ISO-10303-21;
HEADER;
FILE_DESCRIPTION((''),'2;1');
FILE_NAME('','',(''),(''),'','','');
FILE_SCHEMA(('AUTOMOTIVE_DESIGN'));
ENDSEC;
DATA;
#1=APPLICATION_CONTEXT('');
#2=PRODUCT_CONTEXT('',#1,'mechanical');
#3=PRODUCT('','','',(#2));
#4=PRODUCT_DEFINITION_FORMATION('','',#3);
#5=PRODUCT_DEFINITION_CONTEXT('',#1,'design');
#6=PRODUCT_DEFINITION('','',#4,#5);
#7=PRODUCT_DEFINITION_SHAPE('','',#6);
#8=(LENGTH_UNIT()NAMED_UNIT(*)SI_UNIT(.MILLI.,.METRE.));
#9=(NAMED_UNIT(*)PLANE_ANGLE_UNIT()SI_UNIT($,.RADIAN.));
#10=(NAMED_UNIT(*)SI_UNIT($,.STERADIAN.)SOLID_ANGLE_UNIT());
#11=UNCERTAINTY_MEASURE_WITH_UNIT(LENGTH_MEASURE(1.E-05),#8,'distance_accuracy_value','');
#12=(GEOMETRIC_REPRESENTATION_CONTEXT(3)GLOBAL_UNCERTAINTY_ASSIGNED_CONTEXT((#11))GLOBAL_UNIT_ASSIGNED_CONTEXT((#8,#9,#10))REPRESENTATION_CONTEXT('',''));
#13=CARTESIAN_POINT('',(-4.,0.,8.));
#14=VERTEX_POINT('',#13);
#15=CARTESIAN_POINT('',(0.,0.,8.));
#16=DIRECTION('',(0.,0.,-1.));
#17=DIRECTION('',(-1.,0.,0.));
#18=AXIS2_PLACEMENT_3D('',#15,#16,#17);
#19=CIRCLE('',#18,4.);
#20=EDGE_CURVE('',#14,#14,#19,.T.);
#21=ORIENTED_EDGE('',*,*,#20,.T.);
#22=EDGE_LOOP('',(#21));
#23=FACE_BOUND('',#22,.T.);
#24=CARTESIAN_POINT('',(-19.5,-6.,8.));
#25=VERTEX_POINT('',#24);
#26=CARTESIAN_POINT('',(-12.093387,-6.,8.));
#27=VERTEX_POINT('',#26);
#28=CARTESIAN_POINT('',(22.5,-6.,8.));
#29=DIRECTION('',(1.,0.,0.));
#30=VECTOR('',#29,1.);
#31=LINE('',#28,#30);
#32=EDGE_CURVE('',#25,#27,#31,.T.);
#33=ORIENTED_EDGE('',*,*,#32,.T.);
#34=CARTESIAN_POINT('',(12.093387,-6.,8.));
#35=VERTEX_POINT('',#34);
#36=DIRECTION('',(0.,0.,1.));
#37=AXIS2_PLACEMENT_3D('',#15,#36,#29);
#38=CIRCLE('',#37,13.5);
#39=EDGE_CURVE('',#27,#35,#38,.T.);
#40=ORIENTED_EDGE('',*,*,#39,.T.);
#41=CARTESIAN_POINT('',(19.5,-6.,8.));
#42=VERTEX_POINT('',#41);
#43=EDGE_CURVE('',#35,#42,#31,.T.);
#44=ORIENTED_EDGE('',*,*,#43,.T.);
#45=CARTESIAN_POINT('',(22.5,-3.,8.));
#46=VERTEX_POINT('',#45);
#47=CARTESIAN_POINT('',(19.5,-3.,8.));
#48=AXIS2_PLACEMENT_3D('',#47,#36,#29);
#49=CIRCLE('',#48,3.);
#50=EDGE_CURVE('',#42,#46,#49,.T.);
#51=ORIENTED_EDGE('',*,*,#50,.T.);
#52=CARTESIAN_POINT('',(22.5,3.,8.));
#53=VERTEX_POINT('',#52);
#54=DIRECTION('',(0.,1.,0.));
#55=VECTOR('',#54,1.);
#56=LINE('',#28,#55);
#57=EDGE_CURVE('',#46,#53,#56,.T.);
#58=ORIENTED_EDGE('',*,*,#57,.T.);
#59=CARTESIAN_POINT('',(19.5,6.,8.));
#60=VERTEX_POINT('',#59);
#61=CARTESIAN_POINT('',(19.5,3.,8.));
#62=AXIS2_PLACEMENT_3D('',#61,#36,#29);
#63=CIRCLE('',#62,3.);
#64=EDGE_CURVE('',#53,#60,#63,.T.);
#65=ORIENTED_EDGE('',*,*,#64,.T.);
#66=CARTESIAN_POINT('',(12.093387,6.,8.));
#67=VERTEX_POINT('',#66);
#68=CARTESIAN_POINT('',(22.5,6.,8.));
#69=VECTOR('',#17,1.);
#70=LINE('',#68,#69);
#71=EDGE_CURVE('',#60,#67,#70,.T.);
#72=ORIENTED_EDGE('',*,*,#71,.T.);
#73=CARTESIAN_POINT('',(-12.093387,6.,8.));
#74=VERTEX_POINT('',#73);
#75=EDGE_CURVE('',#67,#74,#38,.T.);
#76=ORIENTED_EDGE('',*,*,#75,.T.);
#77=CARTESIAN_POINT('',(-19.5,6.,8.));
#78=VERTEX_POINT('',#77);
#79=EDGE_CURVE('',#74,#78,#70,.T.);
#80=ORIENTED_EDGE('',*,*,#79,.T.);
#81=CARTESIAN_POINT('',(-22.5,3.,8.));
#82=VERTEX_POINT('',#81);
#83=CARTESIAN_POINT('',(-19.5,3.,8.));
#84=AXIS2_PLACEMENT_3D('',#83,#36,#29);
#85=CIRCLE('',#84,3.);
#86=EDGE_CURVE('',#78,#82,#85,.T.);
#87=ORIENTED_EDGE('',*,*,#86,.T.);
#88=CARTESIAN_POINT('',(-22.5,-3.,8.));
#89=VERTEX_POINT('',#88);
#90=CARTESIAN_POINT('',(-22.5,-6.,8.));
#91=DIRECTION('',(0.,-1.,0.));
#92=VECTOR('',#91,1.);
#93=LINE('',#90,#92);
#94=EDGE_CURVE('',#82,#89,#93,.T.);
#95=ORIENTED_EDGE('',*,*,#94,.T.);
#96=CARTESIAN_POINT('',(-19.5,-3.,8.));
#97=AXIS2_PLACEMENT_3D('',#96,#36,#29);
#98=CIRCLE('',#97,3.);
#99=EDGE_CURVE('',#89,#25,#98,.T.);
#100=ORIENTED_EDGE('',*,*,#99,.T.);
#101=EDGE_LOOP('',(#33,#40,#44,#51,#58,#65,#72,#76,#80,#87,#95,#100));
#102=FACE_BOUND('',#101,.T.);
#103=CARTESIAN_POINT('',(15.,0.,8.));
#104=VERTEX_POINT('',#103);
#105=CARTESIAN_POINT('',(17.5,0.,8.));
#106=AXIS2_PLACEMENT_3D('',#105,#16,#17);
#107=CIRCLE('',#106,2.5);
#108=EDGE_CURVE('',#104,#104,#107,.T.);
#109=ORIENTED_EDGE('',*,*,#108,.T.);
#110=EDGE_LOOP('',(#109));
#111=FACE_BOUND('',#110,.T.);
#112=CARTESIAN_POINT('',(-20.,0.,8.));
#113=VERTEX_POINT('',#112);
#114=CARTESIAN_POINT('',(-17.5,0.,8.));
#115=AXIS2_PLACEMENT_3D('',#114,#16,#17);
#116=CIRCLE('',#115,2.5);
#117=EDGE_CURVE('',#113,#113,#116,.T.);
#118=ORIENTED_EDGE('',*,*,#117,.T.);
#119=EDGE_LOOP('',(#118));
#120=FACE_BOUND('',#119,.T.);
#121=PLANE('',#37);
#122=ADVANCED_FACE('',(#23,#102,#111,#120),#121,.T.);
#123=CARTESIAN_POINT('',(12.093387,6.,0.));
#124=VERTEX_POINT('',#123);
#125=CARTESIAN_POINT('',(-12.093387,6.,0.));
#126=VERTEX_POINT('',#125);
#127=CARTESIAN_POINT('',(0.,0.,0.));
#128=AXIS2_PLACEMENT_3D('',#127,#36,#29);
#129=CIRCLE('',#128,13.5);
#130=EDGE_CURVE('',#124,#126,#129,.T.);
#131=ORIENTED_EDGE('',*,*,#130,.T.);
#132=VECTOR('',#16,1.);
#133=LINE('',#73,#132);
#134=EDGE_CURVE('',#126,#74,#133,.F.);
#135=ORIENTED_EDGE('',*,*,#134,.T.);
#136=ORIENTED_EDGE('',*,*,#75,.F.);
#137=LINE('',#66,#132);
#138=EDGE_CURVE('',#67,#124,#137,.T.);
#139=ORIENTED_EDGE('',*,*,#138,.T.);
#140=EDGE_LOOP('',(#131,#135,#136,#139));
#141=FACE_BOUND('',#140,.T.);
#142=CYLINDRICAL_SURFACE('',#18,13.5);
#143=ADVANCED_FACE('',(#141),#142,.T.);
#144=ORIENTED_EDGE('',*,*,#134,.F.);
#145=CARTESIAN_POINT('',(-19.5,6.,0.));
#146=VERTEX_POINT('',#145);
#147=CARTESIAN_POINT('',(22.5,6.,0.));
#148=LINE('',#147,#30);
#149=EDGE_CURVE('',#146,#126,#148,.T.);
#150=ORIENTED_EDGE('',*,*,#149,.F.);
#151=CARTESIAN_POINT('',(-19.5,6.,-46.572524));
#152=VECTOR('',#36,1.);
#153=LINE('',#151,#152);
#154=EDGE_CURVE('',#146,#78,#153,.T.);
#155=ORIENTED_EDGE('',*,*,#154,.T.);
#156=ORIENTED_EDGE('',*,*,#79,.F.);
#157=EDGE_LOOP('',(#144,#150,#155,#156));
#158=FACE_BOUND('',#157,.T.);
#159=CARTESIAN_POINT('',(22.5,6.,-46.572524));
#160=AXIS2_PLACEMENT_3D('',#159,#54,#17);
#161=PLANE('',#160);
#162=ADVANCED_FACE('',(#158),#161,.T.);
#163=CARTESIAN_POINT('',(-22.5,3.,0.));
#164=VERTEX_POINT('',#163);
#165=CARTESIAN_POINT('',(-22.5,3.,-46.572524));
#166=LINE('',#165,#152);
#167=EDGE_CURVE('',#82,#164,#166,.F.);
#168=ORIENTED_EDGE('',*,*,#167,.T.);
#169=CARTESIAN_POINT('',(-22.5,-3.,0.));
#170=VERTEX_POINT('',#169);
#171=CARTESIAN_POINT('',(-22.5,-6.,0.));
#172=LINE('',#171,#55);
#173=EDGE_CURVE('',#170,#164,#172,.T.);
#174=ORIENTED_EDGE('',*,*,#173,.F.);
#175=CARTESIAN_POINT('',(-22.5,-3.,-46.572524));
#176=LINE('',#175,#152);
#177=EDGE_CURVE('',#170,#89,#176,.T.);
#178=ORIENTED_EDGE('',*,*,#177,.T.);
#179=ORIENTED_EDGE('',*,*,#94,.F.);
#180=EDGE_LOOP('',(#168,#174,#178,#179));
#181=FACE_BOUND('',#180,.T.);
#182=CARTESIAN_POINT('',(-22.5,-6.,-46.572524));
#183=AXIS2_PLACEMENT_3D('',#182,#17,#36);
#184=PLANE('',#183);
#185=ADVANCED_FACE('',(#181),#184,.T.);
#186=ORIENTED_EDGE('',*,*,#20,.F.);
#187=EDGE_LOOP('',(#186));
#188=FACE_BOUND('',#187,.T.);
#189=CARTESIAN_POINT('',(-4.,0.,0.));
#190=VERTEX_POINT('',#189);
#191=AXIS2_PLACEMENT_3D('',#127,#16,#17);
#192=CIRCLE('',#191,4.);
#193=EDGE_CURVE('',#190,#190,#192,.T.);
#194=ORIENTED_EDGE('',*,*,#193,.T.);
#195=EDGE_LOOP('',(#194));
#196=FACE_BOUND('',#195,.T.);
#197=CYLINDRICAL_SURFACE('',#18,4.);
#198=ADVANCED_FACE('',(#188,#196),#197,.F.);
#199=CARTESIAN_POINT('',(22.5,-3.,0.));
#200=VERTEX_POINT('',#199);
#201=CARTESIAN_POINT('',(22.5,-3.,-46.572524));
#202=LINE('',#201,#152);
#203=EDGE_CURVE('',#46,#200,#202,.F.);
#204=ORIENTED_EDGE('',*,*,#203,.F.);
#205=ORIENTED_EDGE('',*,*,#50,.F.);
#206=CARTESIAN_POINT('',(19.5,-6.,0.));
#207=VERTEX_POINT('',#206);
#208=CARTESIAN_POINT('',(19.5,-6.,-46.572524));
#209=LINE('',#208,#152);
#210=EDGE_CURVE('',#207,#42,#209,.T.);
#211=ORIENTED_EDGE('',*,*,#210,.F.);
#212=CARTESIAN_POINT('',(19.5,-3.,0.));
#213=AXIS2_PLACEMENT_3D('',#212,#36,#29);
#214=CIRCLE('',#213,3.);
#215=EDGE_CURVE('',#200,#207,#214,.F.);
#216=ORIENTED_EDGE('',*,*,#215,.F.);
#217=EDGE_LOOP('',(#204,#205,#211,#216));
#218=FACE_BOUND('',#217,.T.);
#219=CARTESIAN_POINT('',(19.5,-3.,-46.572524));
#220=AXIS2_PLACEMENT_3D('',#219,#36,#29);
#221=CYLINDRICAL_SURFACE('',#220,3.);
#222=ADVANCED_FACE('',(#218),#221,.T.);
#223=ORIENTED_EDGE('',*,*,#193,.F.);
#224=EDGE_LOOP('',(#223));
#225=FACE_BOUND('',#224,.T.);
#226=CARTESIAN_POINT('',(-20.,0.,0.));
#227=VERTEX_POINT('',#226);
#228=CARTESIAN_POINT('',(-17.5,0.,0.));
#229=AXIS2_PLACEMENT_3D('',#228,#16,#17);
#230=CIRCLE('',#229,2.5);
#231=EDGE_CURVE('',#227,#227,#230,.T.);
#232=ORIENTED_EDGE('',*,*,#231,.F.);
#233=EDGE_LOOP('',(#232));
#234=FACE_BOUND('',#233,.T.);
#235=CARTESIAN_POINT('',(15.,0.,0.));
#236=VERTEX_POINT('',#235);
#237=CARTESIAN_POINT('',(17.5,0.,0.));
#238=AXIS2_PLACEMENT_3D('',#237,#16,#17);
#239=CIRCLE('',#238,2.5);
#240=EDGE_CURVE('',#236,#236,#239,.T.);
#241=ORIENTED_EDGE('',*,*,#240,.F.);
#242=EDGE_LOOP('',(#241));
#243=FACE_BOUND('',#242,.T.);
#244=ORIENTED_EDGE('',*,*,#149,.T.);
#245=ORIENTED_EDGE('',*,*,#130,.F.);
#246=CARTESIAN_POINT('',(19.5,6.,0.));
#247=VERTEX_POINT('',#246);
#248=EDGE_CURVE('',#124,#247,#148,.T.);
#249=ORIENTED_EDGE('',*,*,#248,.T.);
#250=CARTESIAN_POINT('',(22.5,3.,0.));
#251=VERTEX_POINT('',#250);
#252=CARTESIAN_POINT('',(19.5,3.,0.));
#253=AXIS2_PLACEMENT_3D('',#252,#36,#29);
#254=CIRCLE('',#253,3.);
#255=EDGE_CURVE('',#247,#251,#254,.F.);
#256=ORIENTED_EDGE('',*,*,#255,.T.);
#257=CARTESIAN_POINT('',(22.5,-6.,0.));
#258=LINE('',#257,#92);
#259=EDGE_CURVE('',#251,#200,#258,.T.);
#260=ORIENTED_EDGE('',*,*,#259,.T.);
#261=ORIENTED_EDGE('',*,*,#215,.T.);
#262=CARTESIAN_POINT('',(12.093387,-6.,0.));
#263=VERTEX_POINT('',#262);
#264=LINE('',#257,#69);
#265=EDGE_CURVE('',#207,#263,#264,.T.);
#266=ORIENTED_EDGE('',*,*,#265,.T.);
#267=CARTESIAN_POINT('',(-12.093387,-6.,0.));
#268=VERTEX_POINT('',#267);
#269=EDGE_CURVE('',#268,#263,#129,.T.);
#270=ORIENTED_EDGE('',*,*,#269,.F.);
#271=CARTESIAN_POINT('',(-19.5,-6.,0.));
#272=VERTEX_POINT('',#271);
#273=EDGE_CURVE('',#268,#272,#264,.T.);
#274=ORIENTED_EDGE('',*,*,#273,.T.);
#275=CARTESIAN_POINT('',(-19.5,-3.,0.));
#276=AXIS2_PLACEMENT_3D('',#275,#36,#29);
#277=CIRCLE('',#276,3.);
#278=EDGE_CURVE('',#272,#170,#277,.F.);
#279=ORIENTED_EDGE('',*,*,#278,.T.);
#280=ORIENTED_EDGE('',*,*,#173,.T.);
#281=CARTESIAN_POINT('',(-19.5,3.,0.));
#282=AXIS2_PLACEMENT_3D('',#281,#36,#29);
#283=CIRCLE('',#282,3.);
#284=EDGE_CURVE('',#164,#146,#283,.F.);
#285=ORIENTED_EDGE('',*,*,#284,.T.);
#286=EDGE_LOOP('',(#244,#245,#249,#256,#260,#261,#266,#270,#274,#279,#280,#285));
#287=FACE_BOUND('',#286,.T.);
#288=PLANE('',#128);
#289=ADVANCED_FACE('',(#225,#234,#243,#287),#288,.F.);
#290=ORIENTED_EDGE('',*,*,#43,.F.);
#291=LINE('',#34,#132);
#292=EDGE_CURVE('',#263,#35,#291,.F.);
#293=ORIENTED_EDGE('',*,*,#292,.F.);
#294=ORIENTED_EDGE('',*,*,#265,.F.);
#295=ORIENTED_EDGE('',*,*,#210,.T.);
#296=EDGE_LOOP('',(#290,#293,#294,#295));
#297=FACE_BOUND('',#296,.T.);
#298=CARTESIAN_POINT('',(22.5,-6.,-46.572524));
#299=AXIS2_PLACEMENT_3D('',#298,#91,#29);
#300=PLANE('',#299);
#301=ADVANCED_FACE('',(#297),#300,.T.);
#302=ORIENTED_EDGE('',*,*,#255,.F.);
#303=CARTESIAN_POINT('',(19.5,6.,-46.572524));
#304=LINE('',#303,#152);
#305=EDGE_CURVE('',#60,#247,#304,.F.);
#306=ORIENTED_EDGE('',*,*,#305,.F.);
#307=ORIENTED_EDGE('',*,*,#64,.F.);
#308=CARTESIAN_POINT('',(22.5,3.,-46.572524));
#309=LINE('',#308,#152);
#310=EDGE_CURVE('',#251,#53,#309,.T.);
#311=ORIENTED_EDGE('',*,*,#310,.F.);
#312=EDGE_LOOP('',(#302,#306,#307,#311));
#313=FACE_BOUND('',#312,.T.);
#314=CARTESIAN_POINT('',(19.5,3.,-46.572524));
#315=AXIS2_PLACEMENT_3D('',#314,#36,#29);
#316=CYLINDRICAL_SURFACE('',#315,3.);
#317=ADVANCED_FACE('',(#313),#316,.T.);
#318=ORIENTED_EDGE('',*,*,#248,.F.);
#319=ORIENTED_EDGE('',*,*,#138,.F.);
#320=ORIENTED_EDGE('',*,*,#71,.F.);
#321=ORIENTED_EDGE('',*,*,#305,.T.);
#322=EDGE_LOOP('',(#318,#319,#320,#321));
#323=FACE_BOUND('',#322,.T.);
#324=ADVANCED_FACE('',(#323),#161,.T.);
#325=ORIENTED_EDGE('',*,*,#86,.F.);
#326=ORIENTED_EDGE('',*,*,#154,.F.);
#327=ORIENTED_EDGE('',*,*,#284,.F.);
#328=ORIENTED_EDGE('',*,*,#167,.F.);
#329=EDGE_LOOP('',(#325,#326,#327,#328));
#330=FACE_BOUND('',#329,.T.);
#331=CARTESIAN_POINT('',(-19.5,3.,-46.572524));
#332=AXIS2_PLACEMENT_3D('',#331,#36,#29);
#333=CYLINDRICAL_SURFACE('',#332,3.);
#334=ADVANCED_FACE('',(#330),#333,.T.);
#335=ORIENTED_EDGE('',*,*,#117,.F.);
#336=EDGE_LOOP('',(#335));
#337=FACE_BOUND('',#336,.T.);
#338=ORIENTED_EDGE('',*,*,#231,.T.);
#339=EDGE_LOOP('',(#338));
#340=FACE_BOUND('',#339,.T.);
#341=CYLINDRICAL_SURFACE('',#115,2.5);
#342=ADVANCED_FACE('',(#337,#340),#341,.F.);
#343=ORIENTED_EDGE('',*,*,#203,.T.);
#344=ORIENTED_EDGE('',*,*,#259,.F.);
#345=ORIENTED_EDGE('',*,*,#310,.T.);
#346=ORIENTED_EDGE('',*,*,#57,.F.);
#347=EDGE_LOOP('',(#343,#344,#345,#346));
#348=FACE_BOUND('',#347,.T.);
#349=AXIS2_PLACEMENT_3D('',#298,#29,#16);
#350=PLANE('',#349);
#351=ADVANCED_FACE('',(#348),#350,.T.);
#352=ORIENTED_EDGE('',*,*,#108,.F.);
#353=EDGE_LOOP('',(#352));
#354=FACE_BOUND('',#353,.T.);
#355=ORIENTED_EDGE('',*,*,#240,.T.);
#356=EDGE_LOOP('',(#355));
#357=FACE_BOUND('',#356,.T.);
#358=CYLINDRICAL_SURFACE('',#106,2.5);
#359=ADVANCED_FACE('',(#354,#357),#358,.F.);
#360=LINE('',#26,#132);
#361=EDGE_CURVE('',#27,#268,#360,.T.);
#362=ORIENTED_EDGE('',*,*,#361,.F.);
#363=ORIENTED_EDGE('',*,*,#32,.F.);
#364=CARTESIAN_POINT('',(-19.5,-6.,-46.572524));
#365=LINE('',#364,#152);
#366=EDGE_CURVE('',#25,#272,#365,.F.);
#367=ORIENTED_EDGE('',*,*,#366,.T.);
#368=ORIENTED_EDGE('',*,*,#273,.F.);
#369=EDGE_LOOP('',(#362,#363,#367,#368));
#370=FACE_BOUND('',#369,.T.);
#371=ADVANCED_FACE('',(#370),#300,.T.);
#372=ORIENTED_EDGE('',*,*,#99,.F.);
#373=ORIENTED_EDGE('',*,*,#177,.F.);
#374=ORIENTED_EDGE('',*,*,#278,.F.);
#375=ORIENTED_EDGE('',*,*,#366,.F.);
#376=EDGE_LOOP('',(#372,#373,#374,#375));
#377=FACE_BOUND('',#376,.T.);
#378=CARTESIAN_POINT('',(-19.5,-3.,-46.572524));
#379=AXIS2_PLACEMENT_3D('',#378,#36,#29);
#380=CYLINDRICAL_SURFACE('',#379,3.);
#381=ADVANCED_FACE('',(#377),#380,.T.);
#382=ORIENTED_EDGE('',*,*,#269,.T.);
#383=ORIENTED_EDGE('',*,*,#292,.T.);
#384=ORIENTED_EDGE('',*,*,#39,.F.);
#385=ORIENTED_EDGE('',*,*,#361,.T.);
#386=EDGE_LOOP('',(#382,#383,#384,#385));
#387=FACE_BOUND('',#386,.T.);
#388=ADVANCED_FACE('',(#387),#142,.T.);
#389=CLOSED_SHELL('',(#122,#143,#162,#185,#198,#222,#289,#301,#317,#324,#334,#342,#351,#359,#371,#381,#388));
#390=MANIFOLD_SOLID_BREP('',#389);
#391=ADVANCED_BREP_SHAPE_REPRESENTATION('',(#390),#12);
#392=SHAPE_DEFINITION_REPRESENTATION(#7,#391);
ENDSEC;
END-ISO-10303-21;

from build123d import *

# Parameters (mm, degrees)
SKETCH_1_R          = 13.5
EXTRUDE_1_DEPTH     = 8
SKETCH_3_W          = 45
SKETCH_3_H          = 12
EXTRUDE_2_DEPTH     = 8
SKETCH_2_R          = 4
CUT_EXTRUDE_1_DEPTH = 8
SKETCH_4_R          = 2.5
CUT_EXTRUDE_2_DEPTH = 9
FILLET_1_R          = 3


with BuildPart() as part:
    # 草图1 → 凸台-拉伸1 (new body)
    with BuildSketch(Plane.XY):
        Circle(SKETCH_1_R)
    extrude(amount=EXTRUDE_1_DEPTH)

    # 草图3 → 凸台-拉伸2 (add)
    with BuildSketch(Plane.XY.offset(8)):
        Rectangle(SKETCH_3_W, SKETCH_3_H)
    extrude(amount=-EXTRUDE_2_DEPTH)

    # 草图2 → 切除-拉伸1 (cut)
    with BuildSketch(Plane(origin=(0, 0, 0), x_dir=(-1, 0, 0), z_dir=(0, 0, -1))):
        Circle(SKETCH_2_R)
    extrude(amount=-CUT_EXTRUDE_1_DEPTH, mode=Mode.SUBTRACT)

    # 草图4 → 切除-拉伸2 (cut, through all)
    with BuildSketch(Plane(origin=(0, 0, 0), x_dir=(-1, 0, 0), z_dir=(0, 0, -1))):
        with Locations((-17.5, 0)):
            Circle(SKETCH_4_R)
        with Locations((17.5, 0)):
            Circle(SKETCH_4_R)
    extrude(amount=-CUT_EXTRUDE_2_DEPTH, mode=Mode.SUBTRACT)

    # 圆角1
    fillet_1_edges = [part.edges().sort_by_distance(p)[0] for p in [
        (-22.5, 6, 4),
        (22.5, -6, 4),
        (-22.5, -6, 4),
        (22.5, 6, 4),
    ]]
    fillet(fillet_1_edges, radius=FILLET_1_R)


solid = part.part
